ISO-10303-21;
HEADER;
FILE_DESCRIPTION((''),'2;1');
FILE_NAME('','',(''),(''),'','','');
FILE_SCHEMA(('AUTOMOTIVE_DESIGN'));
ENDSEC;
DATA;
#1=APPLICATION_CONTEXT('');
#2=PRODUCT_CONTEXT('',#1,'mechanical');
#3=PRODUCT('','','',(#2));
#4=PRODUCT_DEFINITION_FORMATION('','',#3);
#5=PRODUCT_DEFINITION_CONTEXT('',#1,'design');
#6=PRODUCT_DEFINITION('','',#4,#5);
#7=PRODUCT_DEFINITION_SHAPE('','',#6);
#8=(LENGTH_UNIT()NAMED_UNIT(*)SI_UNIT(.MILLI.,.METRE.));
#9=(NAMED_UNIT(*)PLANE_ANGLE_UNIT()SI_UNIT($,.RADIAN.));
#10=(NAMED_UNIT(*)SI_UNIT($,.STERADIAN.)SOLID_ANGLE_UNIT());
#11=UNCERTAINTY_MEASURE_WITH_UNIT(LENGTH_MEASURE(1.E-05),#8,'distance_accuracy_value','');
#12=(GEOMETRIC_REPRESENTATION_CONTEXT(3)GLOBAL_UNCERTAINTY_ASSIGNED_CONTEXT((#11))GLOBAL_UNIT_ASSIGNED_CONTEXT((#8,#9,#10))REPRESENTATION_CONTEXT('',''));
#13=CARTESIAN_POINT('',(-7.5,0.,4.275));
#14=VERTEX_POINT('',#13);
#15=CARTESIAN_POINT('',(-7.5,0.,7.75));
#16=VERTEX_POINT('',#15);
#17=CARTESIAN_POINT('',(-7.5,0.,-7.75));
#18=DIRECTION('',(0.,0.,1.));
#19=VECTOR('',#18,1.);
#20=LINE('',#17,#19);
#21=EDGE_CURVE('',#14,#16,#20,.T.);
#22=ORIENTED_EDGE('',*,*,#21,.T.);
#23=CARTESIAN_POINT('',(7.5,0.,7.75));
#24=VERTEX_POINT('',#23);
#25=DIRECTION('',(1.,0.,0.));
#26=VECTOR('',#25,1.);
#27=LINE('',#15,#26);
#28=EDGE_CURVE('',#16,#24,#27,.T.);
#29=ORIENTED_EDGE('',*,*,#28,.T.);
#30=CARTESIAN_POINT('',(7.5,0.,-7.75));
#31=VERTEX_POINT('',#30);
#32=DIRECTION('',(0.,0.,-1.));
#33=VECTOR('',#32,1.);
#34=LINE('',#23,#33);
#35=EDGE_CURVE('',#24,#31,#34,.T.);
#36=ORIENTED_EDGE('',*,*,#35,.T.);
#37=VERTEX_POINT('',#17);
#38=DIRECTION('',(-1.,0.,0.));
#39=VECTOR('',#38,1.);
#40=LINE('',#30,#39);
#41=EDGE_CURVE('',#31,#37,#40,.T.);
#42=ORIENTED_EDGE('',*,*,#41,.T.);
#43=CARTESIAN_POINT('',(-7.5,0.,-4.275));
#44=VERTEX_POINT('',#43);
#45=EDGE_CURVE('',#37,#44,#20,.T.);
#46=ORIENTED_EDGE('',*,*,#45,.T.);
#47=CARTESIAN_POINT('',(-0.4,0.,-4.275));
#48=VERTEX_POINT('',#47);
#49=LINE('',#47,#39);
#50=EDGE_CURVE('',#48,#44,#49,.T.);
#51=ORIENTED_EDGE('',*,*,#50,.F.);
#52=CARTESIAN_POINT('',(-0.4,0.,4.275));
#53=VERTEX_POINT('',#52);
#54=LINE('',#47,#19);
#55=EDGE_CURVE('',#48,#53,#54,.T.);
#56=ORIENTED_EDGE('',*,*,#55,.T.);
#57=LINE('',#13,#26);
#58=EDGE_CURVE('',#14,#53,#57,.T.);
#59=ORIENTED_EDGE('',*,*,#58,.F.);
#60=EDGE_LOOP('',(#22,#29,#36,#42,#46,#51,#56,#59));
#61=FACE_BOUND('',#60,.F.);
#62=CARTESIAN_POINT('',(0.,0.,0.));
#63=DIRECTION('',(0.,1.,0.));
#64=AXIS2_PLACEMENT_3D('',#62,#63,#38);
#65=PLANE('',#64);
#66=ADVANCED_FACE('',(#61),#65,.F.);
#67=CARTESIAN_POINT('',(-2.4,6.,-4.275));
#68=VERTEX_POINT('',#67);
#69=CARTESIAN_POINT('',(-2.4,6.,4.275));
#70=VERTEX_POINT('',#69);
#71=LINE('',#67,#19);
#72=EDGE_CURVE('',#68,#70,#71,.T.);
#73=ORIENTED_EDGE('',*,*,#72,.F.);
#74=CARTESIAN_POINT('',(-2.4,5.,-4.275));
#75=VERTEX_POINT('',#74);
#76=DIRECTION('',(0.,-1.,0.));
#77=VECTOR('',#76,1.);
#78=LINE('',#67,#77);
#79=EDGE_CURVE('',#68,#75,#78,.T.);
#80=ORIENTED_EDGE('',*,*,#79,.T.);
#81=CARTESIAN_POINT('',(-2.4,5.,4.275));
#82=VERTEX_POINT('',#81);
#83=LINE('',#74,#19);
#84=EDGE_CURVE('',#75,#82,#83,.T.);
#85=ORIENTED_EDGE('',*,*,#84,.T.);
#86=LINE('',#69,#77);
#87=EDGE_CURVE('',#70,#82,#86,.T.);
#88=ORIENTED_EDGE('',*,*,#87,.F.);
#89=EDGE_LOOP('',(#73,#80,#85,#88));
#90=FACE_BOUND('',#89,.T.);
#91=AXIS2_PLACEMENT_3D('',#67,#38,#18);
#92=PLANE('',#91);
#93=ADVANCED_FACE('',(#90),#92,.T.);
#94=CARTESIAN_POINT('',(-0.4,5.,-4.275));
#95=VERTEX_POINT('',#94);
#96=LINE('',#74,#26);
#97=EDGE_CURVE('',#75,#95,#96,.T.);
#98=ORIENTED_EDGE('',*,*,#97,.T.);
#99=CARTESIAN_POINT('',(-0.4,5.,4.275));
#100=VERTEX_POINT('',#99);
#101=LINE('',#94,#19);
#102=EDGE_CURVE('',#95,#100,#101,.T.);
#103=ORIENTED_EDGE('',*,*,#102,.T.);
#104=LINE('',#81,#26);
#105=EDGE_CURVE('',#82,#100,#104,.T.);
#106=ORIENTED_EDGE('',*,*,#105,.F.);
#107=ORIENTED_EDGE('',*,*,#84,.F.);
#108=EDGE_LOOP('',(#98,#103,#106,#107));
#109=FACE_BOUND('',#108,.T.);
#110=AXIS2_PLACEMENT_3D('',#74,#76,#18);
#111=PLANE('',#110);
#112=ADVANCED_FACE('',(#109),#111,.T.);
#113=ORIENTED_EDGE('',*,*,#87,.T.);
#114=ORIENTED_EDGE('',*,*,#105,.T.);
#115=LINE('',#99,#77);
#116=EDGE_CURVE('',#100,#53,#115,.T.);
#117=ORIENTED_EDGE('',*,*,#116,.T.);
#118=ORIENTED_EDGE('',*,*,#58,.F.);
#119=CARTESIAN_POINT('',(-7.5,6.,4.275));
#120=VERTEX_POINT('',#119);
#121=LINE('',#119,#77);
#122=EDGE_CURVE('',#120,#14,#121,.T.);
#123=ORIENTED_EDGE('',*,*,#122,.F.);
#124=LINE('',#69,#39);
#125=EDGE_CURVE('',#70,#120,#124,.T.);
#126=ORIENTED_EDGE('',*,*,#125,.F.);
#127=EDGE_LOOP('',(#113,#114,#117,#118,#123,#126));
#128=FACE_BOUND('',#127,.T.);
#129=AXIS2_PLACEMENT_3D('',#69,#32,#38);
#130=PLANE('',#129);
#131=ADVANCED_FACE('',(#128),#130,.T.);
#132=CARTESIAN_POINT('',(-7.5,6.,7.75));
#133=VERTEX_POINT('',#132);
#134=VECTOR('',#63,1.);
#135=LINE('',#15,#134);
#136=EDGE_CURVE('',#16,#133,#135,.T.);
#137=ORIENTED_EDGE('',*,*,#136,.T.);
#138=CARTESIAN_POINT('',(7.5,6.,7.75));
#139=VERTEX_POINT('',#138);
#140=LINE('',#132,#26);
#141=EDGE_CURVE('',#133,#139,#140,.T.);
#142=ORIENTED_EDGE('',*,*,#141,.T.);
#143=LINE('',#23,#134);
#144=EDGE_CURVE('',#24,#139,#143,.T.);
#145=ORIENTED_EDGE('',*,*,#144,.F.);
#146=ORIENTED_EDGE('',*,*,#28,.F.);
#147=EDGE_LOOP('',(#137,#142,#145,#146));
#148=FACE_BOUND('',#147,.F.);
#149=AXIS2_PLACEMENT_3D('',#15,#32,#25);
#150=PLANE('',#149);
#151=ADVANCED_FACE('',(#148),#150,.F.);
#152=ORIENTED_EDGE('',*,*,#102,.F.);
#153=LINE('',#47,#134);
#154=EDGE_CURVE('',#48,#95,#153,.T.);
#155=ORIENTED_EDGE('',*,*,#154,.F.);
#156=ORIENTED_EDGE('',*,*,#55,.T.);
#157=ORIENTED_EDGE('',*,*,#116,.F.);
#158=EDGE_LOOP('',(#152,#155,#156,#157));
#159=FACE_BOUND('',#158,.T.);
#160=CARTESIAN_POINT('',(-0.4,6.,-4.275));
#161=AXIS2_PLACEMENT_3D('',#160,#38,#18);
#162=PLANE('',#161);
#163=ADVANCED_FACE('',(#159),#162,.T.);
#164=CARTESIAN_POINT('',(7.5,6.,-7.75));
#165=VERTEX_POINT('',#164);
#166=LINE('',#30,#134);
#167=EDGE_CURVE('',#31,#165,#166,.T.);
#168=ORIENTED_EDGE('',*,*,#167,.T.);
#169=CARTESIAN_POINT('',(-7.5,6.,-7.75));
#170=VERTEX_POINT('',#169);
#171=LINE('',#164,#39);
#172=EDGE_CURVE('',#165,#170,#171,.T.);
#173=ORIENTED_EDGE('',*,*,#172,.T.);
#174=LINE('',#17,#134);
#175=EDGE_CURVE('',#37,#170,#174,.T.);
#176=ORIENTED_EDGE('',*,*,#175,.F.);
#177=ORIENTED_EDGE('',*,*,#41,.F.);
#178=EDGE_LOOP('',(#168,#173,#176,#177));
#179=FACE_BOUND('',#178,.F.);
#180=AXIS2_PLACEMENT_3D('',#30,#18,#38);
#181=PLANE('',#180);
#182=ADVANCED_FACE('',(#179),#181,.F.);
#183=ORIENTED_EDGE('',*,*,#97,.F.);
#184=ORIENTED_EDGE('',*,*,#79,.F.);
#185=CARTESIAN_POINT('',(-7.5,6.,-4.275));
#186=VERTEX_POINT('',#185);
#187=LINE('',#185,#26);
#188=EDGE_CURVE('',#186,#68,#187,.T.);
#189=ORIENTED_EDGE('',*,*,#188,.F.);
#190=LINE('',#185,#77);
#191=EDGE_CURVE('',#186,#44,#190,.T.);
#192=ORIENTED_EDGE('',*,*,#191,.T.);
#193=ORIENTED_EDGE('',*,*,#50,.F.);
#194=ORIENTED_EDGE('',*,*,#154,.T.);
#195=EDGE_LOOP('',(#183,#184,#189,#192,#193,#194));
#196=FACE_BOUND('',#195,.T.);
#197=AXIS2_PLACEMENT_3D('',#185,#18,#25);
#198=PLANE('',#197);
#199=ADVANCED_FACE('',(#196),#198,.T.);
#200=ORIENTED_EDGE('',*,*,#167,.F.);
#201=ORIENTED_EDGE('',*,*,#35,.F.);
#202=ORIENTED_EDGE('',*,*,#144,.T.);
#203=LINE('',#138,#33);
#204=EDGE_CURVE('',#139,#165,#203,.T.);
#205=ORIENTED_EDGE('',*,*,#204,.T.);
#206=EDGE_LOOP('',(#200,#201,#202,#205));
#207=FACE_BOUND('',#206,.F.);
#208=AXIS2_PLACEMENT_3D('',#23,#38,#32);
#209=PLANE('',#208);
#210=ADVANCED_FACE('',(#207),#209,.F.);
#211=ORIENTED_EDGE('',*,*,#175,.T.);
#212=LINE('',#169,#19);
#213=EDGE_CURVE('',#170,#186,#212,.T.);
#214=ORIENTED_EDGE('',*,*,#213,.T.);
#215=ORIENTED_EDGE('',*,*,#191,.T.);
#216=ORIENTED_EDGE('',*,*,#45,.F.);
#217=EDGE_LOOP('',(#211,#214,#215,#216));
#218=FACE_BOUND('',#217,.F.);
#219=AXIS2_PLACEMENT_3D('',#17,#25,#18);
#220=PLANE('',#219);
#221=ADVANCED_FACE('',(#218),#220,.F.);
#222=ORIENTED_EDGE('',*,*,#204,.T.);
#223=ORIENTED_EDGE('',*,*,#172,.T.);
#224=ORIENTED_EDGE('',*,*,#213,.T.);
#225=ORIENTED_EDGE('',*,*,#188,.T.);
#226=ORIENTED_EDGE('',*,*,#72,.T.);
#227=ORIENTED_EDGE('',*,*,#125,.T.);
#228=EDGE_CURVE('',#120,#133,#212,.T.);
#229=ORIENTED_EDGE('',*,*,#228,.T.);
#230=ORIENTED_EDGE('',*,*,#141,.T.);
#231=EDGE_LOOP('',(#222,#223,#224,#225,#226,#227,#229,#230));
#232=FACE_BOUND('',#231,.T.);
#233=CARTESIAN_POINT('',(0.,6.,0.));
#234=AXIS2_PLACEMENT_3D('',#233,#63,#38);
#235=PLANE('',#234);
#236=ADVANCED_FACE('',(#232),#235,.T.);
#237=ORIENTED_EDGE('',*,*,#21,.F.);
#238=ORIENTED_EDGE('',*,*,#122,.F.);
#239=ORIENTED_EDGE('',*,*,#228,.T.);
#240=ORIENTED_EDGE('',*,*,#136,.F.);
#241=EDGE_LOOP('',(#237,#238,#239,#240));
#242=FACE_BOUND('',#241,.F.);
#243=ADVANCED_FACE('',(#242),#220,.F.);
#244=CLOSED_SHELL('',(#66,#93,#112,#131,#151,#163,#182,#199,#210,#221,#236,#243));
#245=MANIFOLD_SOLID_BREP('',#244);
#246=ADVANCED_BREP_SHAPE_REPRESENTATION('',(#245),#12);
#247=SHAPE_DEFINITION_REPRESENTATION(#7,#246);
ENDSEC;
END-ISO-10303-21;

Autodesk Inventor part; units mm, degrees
ref_plane "YZ Plane" through (0, 0, 0) normal (1, 0, 0) x (0, 1, 0)
ref_plane "XZ Plane" through (0, 0, 0) normal (0, 1, 0) x (-1, 0, 0)
ref_plane "XY Plane" through (0, 0, 0) normal (0, 0, 1) x (1, 0, 0)
sketch "Sketch1" plane through (0, 0, 0) normal (0, 1, 0) x (-1, 0, 0)
  line L0 (7.5, 7.75) -> (-7.5, 7.75)
  line L1 (-7.5, 7.75) -> (-7.5, -7.75)
  line L2 (-7.5, -7.75) -> (7.5, -7.75)
  line L3 (7.5, -7.75) -> (7.5, 7.75)
  line L4 (7.5, 7.75) -> (-7.5, -7.75) construction
  line L5 (-7.5, 7.75) -> (7.5, -7.75) construction
  point P0 (0, 0)
  dimension "d0" = 15
  dimension "d1" = 15.5
extrude "Extrusion1" add sketch "Sketch1" along normal blind 6
sketch "Sketch2" plane through (0, 6, 0) normal (0, 1, 0) x (1, 0, 0)
  line L0 (7.5, -7.75) -> (7.5, 7.75) projected
  line L1 (-7.5, 7.75) -> (-7.5, -7.75) projected
  line L2 (-7.5, 4.275) -> (-2.4, 4.275)
  line L3 (-2.4, 4.275) -> (-2.4, -4.275)
  line L4 (-2.4, -4.275) -> (-7.5, -4.275)
  line L5 (-7.5, 0) -> (-2.4, -4.275) construction
  line L6 (-2.4, 4.275) -> (-7.5, 0) construction
  line L7 (-7.5, 4.275) -> (-7.5, -4.275)
  point P0 (0, 0)
  point P1 (-7.5, 0)
  dimension "d4" = 15
  dimension "d5" = 5.1
  dimension "d6" = 8.55
extrude "Extrusion2" cut sketch "Sketch2" against normal blind 8.25
sketch "Sketch3" plane through (-2.4, 6, -4.275) normal (-1, 0, 0) x (0, 0, 1)
  line L0 (0, -1) -> (8.55, -1)
  line L1 (8.55, -1) -> (8.55, -6)
  line L2 (0, -6) -> (0, -1)
  line L3 (0, -1) -> (4.275, -6) construction
  line L4 (8.55, -1) -> (4.275, -6) construction
  line L5 (0, -6) -> (8.55, -6)
  dimension "d9" = 5
extrude "Extrusion3" cut sketch "Sketch3" against normal blind 2
properties part number "TAPA3_3DPrint"
